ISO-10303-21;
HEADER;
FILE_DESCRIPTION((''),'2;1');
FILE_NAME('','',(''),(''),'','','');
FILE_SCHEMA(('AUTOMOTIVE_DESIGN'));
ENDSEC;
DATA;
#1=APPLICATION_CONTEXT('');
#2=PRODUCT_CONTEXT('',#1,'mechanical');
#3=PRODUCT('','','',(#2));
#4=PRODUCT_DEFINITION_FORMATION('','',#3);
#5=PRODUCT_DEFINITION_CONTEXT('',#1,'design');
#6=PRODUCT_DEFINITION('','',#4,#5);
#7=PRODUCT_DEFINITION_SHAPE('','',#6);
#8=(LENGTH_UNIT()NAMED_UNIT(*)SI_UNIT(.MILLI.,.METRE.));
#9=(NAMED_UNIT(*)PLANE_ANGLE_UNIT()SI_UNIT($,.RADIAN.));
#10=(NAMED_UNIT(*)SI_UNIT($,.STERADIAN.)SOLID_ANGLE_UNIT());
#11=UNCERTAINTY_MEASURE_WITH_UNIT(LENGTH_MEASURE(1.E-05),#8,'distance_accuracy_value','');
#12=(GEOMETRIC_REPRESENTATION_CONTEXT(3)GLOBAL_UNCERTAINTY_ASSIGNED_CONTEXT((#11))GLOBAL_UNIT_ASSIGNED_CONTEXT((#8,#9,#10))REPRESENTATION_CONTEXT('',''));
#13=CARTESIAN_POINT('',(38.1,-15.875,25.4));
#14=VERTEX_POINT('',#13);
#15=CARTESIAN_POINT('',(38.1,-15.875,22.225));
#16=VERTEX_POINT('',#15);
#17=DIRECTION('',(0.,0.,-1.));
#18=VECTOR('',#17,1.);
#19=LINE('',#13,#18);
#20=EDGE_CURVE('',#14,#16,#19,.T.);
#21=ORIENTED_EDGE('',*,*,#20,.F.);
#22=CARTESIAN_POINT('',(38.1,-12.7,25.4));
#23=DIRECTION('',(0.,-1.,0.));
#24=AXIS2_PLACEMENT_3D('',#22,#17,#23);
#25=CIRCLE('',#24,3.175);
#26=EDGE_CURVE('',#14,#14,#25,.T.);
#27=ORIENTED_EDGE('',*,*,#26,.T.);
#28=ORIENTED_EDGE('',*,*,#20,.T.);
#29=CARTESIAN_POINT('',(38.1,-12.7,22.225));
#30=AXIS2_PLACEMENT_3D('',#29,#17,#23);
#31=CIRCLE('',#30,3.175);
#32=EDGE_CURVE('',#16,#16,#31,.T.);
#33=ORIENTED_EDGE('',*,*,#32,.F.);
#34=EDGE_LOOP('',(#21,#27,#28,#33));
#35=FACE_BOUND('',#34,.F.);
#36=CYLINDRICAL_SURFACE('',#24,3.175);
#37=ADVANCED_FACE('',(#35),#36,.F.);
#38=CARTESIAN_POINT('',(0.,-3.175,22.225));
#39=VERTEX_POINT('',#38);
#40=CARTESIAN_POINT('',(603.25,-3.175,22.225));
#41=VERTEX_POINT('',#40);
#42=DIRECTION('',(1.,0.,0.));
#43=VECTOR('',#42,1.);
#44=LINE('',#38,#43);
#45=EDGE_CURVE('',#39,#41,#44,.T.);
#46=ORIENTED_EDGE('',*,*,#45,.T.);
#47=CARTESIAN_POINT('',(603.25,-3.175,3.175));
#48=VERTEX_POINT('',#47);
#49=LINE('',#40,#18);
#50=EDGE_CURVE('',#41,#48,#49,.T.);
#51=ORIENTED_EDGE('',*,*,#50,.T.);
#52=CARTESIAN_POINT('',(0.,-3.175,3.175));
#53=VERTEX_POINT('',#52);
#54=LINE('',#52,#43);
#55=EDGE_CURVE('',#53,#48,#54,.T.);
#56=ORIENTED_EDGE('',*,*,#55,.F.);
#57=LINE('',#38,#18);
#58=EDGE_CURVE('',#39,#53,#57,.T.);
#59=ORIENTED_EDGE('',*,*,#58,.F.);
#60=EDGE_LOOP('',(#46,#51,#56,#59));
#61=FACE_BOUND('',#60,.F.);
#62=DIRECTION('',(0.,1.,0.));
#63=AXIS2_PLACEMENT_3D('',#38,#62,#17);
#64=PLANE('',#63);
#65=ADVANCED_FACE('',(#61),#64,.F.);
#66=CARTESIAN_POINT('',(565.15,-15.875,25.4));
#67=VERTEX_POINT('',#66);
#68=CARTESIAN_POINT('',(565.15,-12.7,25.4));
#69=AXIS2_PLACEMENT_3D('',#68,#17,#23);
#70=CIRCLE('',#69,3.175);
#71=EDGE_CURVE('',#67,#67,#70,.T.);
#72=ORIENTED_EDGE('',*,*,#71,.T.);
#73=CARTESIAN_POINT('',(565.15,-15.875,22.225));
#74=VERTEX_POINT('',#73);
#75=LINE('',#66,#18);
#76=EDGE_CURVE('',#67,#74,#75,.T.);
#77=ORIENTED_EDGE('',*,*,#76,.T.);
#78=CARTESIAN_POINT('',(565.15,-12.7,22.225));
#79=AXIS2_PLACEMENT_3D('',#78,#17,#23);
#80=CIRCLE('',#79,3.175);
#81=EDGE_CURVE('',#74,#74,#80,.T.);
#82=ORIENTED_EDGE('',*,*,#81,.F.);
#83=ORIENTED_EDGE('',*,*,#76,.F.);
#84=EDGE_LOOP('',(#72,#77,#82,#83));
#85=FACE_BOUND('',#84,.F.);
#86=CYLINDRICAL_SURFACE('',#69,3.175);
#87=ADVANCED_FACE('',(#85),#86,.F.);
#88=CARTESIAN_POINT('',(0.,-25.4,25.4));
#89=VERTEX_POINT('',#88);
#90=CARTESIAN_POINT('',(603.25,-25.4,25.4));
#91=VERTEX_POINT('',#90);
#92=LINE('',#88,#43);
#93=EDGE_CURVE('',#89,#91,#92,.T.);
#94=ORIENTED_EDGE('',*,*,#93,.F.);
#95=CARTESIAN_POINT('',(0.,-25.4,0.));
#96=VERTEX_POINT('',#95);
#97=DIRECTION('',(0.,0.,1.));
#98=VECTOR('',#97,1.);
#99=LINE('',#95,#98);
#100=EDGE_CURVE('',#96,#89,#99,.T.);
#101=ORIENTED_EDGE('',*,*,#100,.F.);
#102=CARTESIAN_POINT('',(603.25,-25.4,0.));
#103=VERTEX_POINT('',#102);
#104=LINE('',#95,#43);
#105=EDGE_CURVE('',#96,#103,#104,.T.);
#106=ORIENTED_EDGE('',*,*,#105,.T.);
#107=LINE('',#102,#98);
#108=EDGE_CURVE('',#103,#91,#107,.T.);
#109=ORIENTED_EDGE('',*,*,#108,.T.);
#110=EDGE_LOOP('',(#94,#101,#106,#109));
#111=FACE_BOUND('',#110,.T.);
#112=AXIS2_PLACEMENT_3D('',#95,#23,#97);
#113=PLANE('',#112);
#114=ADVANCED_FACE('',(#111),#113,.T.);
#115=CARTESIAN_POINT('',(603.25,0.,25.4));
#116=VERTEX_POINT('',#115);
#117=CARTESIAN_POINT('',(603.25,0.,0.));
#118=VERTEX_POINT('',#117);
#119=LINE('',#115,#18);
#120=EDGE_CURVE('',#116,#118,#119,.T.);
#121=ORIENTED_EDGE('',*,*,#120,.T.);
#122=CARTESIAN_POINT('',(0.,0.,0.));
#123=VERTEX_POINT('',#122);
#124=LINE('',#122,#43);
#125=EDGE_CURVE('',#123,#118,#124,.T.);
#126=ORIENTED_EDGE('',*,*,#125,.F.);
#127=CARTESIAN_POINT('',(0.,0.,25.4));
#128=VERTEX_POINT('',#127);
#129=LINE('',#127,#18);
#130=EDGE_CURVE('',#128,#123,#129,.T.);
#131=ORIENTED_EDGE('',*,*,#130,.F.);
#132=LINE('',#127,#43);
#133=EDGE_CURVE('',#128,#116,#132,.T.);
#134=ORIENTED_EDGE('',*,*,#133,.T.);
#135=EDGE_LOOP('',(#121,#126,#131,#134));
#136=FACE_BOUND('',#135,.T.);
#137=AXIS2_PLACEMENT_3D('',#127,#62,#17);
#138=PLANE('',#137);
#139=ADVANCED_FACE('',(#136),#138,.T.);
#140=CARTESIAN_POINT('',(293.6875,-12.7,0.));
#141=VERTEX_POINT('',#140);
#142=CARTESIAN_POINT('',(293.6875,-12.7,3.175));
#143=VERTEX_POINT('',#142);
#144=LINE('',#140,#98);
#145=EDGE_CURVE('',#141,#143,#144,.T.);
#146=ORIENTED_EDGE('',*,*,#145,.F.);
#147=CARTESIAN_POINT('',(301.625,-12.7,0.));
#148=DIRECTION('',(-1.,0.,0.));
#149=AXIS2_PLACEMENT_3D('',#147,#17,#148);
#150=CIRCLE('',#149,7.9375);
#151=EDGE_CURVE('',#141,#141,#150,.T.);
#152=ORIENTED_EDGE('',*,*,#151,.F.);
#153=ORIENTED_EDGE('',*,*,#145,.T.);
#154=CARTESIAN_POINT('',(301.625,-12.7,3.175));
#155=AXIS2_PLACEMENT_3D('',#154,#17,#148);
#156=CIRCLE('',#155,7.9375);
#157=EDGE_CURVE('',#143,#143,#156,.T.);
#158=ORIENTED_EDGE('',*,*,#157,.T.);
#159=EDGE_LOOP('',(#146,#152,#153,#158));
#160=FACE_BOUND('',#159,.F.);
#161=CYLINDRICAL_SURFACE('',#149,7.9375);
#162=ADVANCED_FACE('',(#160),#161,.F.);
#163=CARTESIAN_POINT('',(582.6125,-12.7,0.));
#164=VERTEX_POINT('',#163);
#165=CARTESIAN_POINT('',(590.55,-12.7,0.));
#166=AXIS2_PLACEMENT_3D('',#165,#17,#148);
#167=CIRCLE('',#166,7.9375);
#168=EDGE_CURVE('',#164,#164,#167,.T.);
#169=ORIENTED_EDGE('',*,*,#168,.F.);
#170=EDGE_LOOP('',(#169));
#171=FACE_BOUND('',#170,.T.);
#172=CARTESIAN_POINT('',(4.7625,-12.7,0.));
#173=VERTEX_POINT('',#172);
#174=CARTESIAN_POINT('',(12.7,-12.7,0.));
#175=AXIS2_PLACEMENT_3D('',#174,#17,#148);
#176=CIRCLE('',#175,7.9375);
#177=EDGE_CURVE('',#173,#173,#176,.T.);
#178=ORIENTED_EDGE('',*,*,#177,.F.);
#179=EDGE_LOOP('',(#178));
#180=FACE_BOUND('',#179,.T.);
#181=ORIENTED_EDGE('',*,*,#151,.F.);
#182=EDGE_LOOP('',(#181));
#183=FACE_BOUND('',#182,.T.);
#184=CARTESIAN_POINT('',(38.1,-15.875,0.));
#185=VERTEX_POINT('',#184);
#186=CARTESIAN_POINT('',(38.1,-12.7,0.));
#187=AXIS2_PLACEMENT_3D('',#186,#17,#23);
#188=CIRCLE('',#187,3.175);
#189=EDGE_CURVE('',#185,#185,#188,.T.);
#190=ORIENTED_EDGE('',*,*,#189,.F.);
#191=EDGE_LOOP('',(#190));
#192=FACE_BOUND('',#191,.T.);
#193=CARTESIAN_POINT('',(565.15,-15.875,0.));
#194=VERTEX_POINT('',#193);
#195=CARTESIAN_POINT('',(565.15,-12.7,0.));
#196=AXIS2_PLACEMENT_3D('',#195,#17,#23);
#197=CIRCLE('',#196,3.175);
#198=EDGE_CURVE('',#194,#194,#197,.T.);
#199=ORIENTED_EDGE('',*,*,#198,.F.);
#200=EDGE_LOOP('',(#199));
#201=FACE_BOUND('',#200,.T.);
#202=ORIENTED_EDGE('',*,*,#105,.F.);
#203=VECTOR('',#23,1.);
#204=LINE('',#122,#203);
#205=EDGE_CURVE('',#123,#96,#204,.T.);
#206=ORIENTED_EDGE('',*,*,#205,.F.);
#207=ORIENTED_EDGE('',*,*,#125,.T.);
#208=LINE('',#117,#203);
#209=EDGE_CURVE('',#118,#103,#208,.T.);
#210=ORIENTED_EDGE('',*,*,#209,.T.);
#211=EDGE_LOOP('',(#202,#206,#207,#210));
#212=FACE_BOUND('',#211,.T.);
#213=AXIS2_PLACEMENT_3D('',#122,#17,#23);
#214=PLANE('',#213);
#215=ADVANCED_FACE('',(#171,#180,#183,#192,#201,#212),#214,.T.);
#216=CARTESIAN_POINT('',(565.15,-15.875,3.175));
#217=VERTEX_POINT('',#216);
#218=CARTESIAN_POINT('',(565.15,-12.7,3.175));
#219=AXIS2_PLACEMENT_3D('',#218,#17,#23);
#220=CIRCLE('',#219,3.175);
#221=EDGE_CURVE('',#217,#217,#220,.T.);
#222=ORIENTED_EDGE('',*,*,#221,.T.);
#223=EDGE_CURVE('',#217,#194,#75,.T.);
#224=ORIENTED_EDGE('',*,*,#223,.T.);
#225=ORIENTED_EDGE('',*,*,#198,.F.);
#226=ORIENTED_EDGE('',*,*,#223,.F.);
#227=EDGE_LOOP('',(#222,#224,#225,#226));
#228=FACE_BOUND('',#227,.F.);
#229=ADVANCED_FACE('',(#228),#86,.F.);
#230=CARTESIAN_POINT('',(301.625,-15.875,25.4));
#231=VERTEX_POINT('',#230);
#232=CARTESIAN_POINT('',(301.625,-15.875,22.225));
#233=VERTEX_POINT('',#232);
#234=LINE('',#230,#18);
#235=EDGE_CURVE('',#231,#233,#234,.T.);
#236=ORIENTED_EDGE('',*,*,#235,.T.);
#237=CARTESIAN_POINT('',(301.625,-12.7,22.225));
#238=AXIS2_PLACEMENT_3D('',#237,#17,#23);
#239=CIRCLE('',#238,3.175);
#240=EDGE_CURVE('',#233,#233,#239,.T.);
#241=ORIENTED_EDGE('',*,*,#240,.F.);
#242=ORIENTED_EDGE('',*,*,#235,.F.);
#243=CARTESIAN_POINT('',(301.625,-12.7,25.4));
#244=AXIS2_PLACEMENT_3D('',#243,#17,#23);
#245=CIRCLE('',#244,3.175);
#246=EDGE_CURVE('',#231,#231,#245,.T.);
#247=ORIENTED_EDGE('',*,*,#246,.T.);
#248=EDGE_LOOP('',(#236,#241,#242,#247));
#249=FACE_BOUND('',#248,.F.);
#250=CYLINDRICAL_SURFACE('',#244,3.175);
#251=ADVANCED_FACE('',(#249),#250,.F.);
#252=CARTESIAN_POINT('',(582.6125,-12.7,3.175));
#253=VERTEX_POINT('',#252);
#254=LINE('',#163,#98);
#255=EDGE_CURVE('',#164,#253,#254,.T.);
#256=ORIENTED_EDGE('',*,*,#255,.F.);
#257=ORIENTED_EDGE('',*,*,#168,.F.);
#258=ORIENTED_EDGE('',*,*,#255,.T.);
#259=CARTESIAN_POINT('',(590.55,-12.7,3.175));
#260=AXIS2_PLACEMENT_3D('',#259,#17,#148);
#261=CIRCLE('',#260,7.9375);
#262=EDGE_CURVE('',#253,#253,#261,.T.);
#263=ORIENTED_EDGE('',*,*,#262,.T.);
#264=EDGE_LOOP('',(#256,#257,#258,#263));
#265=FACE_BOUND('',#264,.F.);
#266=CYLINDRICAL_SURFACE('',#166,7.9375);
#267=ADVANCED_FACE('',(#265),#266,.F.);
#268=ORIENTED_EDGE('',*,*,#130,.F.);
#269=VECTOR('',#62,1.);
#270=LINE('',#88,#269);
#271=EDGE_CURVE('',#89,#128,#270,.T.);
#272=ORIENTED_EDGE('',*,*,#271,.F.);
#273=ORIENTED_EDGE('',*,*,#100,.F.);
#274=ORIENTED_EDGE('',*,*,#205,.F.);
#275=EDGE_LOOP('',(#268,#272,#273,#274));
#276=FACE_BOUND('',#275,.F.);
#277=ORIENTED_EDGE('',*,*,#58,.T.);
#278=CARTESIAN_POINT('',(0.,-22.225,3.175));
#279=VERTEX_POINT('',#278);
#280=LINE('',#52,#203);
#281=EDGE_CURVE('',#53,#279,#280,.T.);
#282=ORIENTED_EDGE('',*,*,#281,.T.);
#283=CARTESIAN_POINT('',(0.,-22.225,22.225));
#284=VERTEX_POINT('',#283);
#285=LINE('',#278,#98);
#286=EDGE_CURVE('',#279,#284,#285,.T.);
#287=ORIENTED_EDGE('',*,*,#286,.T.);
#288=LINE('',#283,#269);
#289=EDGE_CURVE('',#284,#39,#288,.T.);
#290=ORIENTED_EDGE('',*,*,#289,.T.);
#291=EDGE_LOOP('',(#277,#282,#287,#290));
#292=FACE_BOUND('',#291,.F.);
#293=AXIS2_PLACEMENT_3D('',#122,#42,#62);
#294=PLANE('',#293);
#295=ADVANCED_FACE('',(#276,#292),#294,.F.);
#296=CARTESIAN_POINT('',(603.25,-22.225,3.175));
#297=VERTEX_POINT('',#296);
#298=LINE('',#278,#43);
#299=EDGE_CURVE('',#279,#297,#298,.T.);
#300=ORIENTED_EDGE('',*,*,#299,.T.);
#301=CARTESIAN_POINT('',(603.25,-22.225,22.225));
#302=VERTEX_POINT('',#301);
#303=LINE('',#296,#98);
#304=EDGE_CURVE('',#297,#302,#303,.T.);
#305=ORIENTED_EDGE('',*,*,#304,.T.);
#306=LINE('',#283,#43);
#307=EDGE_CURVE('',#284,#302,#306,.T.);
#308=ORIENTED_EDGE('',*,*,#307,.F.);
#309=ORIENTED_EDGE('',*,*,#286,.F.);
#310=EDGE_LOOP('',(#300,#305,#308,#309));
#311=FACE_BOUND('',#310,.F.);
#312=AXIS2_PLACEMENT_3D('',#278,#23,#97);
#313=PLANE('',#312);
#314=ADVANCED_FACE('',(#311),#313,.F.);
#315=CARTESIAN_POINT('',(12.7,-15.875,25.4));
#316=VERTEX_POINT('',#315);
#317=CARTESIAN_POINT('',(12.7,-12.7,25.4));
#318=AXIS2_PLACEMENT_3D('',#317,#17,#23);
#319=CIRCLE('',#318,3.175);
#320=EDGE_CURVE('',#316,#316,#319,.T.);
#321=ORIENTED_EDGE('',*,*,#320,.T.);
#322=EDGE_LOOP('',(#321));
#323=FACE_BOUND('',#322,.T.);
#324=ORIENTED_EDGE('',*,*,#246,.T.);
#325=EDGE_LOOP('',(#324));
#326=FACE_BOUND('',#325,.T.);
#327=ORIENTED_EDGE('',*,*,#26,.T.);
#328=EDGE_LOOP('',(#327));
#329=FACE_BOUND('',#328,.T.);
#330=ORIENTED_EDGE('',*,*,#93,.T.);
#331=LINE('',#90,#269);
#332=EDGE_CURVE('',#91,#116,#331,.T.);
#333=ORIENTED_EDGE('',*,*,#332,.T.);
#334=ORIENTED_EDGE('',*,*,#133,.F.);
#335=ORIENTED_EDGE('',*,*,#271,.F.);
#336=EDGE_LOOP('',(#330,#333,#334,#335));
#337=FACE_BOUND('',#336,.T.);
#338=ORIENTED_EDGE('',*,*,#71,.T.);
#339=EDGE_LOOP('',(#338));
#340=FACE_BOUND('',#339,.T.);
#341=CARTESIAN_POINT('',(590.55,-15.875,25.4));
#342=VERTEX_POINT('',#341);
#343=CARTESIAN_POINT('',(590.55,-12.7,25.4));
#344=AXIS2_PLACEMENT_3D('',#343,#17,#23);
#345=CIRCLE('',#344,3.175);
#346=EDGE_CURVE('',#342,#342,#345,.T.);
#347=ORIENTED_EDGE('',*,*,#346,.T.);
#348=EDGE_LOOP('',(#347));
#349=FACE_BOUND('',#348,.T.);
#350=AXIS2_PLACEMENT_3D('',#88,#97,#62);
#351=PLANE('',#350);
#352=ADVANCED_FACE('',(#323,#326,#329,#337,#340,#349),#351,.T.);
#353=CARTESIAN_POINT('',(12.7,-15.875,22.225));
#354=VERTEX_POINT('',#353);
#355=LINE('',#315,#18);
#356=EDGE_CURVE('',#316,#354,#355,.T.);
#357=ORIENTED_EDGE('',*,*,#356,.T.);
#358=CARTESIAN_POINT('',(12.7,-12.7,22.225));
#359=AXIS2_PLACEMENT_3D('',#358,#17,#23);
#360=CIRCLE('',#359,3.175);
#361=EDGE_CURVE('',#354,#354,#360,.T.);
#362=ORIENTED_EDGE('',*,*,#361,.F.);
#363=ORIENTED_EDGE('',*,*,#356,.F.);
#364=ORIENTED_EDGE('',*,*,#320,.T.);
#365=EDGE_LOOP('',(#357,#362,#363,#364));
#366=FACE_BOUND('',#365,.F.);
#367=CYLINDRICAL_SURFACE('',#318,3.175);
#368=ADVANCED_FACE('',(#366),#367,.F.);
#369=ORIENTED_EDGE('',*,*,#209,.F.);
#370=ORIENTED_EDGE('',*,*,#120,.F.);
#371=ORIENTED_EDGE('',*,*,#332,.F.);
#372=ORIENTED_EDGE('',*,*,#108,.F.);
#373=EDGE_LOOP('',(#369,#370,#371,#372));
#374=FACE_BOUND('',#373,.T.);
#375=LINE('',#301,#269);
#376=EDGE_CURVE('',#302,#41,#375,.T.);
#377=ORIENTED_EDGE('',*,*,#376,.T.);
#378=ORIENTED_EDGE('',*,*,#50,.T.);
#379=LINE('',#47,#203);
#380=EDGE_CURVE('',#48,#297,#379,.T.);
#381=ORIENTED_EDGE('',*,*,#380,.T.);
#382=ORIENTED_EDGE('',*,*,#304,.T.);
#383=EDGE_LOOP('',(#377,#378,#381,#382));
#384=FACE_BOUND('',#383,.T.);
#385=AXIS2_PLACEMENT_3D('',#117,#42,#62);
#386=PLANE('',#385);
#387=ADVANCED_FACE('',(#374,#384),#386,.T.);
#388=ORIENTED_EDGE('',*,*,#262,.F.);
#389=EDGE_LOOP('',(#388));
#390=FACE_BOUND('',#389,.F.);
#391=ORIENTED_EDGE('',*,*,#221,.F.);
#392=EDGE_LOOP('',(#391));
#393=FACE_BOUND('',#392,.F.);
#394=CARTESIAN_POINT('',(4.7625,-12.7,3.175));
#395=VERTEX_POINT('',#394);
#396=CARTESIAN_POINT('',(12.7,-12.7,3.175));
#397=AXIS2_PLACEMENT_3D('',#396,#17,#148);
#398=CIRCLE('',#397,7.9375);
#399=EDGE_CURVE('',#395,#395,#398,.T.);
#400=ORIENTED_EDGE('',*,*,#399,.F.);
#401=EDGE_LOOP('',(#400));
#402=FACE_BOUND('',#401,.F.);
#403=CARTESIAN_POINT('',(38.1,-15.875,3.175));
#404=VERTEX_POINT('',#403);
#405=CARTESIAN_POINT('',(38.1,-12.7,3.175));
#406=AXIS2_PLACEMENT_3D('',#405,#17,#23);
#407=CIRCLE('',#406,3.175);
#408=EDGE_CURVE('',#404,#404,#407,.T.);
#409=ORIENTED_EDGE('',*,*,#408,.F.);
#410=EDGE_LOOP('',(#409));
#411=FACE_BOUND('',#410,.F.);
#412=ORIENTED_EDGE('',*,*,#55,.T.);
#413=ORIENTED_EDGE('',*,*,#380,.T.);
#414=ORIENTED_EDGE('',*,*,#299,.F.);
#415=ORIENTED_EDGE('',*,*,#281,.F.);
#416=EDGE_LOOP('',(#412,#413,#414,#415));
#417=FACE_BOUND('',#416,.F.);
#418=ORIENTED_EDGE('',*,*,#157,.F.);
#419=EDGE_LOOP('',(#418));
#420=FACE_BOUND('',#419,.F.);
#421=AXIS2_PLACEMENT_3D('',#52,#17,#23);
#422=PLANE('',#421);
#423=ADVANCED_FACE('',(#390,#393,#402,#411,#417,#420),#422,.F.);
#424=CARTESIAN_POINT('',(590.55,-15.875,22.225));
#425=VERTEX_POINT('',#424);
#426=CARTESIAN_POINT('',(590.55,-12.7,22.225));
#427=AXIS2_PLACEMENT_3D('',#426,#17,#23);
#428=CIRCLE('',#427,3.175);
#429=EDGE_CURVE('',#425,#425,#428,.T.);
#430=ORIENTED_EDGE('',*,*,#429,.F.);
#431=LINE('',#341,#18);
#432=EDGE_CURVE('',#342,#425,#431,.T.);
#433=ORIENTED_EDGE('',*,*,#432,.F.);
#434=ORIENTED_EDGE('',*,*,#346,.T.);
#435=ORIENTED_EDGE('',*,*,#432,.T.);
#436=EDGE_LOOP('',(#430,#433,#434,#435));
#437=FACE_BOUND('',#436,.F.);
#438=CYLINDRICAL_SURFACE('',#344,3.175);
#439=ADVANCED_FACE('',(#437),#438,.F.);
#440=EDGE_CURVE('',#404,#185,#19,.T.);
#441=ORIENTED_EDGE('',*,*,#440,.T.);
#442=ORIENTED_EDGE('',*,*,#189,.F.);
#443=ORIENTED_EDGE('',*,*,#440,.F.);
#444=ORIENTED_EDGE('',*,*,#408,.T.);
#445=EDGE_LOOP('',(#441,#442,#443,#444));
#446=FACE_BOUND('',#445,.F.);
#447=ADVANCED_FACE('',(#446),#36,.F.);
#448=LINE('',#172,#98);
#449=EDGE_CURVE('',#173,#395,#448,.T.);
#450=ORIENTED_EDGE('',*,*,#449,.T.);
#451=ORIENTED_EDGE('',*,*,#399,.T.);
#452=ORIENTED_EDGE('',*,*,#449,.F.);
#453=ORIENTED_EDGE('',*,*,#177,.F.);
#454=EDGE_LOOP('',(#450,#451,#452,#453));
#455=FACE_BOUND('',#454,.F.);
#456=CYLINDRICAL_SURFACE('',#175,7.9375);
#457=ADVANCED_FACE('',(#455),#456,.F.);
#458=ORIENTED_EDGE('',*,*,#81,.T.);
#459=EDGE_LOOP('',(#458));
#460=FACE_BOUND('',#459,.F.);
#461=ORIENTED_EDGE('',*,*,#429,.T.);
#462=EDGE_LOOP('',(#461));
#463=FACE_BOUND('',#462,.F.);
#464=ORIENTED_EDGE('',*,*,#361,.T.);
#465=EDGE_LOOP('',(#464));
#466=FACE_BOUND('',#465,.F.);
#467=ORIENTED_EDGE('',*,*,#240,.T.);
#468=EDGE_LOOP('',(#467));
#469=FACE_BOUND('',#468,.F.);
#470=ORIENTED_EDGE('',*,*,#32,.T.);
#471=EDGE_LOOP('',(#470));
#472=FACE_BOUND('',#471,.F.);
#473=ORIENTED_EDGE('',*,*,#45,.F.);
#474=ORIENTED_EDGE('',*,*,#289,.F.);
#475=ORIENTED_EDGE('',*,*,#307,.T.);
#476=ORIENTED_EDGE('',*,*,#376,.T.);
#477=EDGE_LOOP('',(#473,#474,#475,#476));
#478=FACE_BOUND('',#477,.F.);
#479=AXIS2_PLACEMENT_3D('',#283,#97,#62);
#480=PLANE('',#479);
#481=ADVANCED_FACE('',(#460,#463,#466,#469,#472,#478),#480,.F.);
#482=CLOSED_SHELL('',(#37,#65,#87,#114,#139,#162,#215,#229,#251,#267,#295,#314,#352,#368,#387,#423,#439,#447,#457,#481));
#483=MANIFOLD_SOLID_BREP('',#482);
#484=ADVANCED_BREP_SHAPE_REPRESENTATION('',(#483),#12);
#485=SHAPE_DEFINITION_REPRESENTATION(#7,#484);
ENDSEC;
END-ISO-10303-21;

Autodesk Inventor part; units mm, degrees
ref_plane "YZ Plane" through (0, 0, 0) normal (1, 0, 0) x (0, 1, 0)
ref_plane "XZ Plane" through (0, 0, 0) normal (0, 1, 0) x (-1, 0, 0)
ref_plane "XY Plane" through (0, 0, 0) normal (0, 0, 1) x (1, 0, 0)
sketch "Sketch1" plane through (0, 0, 0) normal (1, 0, 0) x (0, 1, 0)
  line L0 (0, 0) -> (-25.4, 0)
  line L1 (-25.4, 0) -> (-25.4, 25.4)
  line L2 (-25.4, 25.4) -> (0, 25.4)
  line L3 (0, 25.4) -> (0, 0)
  line L4 (-3.175, 3.175) -> (-22.225, 3.175)
  line L5 (-22.225, 3.175) -> (-22.225, 22.225)
  line L6 (-22.225, 22.225) -> (-3.175, 22.225)
  line L7 (-3.175, 22.225) -> (-3.175, 3.175)
  dimension "d0" = 25.4
  dimension "d1" = 25.4
  dimension "d2" = 19.05
  dimension "d3" = 19.05
  dimension "d4" = 3.175
  dimension "d5" = 3.175
extrude "Extrusion1" add sketch "Sketch1" along normal blind 603.25
sketch "Sketch2" plane through (0, -25.4, 25.4) normal (0, 0, 1) x (1, 0, 0)
  line L0 (0, 0) -> (0, 25.4) projected
  line L1 (0, 0) -> (603.25, 0) projected
  line L2 (603.25, 25.4) -> (603.25, 0) projected
  line L3 (0, 25.4) -> (603.25, 25.4) projected
  point P0 (12.7, 12.7)
  point P1 (301.625, 12.7)
  point P2 (590.55, 12.7)
  dimension "d8" = 12.7
  dimension "d9" = 12.7
  dimension "d10" = 12.7
  dimension "d11" = 12.7
  dimension "d12" = 12.7
  dimension "d13" = 301.625
hole "Hole1" at (12.7, -12.7, 25.4) at (301.625, -12.7, 25.4) at (590.55, -12.7, 25.4) direction (0, 0, -1) diameter 6.35 end through all
sketch "Sketch3" plane through (0, -25.4, 0) normal (0, 0, -1) x (-1, 0, 0)
  circle A0 centre (-301.625, 12.7) radius 3.175 projected
  circle A1 centre (-12.7, 12.7) radius 3.175 projected
  circle A2 centre (-590.55, 12.7) radius 3.175 projected
  line L0 (0, 25.4) -> (0, 0) projected
  line L1 (0, 25.4) -> (-603.25, 25.4) projected
  line L2 (-603.25, 0) -> (-603.25, 25.4) projected
  line L3 (0, 0) -> (-603.25, 0) projected
  circle A3 centre (-12.7, 12.7) radius 3.175 projected
  circle A4 centre (-12.7, 12.7) radius 7.9375
  circle A5 centre (-301.625, 12.7) radius 7.9375
  circle A6 centre (-590.55, 12.7) radius 3.175 projected
  circle A7 centre (-590.55, 12.7) radius 7.9375
  dimension "d21" = 15.875
  dimension "d22" = 15.875
  dimension "d23" = 15.875
extrude "Extrusion2" cut sketch "Sketch3" against normal blind 12.7 contours A4 | A5 | A7
sketch "Sketch4" plane through (0, -25.4, 25.4) normal (0, 0, 1) x (1, 0, 0)
  circle A0 centre (301.625, 12.7) radius 3.175 projected
  circle A1 centre (12.7, 12.7) radius 3.175 projected
  circle A2 centre (590.55, 12.7) radius 3.175 projected
  line L0 (0, 0) -> (0, 25.4) projected
  line L1 (0, 0) -> (603.25, 0) projected
  line L2 (603.25, 25.4) -> (603.25, 0) projected
  line L3 (0, 25.4) -> (603.25, 25.4) projected
  point P0 (38.1, 12.7)
  point P1 (565.15, 12.7)
  dimension "d26" = 12.7
  dimension "d27" = 38.1
  dimension "d28" = 12.7
  dimension "d29" = 38.1
hole "Hole2" at (38.1, -12.7, 25.4) at (565.15, -12.7, 25.4) direction (0, 0, -1) diameter 6.35 end through all
properties part number "1x1 support horizontal"
